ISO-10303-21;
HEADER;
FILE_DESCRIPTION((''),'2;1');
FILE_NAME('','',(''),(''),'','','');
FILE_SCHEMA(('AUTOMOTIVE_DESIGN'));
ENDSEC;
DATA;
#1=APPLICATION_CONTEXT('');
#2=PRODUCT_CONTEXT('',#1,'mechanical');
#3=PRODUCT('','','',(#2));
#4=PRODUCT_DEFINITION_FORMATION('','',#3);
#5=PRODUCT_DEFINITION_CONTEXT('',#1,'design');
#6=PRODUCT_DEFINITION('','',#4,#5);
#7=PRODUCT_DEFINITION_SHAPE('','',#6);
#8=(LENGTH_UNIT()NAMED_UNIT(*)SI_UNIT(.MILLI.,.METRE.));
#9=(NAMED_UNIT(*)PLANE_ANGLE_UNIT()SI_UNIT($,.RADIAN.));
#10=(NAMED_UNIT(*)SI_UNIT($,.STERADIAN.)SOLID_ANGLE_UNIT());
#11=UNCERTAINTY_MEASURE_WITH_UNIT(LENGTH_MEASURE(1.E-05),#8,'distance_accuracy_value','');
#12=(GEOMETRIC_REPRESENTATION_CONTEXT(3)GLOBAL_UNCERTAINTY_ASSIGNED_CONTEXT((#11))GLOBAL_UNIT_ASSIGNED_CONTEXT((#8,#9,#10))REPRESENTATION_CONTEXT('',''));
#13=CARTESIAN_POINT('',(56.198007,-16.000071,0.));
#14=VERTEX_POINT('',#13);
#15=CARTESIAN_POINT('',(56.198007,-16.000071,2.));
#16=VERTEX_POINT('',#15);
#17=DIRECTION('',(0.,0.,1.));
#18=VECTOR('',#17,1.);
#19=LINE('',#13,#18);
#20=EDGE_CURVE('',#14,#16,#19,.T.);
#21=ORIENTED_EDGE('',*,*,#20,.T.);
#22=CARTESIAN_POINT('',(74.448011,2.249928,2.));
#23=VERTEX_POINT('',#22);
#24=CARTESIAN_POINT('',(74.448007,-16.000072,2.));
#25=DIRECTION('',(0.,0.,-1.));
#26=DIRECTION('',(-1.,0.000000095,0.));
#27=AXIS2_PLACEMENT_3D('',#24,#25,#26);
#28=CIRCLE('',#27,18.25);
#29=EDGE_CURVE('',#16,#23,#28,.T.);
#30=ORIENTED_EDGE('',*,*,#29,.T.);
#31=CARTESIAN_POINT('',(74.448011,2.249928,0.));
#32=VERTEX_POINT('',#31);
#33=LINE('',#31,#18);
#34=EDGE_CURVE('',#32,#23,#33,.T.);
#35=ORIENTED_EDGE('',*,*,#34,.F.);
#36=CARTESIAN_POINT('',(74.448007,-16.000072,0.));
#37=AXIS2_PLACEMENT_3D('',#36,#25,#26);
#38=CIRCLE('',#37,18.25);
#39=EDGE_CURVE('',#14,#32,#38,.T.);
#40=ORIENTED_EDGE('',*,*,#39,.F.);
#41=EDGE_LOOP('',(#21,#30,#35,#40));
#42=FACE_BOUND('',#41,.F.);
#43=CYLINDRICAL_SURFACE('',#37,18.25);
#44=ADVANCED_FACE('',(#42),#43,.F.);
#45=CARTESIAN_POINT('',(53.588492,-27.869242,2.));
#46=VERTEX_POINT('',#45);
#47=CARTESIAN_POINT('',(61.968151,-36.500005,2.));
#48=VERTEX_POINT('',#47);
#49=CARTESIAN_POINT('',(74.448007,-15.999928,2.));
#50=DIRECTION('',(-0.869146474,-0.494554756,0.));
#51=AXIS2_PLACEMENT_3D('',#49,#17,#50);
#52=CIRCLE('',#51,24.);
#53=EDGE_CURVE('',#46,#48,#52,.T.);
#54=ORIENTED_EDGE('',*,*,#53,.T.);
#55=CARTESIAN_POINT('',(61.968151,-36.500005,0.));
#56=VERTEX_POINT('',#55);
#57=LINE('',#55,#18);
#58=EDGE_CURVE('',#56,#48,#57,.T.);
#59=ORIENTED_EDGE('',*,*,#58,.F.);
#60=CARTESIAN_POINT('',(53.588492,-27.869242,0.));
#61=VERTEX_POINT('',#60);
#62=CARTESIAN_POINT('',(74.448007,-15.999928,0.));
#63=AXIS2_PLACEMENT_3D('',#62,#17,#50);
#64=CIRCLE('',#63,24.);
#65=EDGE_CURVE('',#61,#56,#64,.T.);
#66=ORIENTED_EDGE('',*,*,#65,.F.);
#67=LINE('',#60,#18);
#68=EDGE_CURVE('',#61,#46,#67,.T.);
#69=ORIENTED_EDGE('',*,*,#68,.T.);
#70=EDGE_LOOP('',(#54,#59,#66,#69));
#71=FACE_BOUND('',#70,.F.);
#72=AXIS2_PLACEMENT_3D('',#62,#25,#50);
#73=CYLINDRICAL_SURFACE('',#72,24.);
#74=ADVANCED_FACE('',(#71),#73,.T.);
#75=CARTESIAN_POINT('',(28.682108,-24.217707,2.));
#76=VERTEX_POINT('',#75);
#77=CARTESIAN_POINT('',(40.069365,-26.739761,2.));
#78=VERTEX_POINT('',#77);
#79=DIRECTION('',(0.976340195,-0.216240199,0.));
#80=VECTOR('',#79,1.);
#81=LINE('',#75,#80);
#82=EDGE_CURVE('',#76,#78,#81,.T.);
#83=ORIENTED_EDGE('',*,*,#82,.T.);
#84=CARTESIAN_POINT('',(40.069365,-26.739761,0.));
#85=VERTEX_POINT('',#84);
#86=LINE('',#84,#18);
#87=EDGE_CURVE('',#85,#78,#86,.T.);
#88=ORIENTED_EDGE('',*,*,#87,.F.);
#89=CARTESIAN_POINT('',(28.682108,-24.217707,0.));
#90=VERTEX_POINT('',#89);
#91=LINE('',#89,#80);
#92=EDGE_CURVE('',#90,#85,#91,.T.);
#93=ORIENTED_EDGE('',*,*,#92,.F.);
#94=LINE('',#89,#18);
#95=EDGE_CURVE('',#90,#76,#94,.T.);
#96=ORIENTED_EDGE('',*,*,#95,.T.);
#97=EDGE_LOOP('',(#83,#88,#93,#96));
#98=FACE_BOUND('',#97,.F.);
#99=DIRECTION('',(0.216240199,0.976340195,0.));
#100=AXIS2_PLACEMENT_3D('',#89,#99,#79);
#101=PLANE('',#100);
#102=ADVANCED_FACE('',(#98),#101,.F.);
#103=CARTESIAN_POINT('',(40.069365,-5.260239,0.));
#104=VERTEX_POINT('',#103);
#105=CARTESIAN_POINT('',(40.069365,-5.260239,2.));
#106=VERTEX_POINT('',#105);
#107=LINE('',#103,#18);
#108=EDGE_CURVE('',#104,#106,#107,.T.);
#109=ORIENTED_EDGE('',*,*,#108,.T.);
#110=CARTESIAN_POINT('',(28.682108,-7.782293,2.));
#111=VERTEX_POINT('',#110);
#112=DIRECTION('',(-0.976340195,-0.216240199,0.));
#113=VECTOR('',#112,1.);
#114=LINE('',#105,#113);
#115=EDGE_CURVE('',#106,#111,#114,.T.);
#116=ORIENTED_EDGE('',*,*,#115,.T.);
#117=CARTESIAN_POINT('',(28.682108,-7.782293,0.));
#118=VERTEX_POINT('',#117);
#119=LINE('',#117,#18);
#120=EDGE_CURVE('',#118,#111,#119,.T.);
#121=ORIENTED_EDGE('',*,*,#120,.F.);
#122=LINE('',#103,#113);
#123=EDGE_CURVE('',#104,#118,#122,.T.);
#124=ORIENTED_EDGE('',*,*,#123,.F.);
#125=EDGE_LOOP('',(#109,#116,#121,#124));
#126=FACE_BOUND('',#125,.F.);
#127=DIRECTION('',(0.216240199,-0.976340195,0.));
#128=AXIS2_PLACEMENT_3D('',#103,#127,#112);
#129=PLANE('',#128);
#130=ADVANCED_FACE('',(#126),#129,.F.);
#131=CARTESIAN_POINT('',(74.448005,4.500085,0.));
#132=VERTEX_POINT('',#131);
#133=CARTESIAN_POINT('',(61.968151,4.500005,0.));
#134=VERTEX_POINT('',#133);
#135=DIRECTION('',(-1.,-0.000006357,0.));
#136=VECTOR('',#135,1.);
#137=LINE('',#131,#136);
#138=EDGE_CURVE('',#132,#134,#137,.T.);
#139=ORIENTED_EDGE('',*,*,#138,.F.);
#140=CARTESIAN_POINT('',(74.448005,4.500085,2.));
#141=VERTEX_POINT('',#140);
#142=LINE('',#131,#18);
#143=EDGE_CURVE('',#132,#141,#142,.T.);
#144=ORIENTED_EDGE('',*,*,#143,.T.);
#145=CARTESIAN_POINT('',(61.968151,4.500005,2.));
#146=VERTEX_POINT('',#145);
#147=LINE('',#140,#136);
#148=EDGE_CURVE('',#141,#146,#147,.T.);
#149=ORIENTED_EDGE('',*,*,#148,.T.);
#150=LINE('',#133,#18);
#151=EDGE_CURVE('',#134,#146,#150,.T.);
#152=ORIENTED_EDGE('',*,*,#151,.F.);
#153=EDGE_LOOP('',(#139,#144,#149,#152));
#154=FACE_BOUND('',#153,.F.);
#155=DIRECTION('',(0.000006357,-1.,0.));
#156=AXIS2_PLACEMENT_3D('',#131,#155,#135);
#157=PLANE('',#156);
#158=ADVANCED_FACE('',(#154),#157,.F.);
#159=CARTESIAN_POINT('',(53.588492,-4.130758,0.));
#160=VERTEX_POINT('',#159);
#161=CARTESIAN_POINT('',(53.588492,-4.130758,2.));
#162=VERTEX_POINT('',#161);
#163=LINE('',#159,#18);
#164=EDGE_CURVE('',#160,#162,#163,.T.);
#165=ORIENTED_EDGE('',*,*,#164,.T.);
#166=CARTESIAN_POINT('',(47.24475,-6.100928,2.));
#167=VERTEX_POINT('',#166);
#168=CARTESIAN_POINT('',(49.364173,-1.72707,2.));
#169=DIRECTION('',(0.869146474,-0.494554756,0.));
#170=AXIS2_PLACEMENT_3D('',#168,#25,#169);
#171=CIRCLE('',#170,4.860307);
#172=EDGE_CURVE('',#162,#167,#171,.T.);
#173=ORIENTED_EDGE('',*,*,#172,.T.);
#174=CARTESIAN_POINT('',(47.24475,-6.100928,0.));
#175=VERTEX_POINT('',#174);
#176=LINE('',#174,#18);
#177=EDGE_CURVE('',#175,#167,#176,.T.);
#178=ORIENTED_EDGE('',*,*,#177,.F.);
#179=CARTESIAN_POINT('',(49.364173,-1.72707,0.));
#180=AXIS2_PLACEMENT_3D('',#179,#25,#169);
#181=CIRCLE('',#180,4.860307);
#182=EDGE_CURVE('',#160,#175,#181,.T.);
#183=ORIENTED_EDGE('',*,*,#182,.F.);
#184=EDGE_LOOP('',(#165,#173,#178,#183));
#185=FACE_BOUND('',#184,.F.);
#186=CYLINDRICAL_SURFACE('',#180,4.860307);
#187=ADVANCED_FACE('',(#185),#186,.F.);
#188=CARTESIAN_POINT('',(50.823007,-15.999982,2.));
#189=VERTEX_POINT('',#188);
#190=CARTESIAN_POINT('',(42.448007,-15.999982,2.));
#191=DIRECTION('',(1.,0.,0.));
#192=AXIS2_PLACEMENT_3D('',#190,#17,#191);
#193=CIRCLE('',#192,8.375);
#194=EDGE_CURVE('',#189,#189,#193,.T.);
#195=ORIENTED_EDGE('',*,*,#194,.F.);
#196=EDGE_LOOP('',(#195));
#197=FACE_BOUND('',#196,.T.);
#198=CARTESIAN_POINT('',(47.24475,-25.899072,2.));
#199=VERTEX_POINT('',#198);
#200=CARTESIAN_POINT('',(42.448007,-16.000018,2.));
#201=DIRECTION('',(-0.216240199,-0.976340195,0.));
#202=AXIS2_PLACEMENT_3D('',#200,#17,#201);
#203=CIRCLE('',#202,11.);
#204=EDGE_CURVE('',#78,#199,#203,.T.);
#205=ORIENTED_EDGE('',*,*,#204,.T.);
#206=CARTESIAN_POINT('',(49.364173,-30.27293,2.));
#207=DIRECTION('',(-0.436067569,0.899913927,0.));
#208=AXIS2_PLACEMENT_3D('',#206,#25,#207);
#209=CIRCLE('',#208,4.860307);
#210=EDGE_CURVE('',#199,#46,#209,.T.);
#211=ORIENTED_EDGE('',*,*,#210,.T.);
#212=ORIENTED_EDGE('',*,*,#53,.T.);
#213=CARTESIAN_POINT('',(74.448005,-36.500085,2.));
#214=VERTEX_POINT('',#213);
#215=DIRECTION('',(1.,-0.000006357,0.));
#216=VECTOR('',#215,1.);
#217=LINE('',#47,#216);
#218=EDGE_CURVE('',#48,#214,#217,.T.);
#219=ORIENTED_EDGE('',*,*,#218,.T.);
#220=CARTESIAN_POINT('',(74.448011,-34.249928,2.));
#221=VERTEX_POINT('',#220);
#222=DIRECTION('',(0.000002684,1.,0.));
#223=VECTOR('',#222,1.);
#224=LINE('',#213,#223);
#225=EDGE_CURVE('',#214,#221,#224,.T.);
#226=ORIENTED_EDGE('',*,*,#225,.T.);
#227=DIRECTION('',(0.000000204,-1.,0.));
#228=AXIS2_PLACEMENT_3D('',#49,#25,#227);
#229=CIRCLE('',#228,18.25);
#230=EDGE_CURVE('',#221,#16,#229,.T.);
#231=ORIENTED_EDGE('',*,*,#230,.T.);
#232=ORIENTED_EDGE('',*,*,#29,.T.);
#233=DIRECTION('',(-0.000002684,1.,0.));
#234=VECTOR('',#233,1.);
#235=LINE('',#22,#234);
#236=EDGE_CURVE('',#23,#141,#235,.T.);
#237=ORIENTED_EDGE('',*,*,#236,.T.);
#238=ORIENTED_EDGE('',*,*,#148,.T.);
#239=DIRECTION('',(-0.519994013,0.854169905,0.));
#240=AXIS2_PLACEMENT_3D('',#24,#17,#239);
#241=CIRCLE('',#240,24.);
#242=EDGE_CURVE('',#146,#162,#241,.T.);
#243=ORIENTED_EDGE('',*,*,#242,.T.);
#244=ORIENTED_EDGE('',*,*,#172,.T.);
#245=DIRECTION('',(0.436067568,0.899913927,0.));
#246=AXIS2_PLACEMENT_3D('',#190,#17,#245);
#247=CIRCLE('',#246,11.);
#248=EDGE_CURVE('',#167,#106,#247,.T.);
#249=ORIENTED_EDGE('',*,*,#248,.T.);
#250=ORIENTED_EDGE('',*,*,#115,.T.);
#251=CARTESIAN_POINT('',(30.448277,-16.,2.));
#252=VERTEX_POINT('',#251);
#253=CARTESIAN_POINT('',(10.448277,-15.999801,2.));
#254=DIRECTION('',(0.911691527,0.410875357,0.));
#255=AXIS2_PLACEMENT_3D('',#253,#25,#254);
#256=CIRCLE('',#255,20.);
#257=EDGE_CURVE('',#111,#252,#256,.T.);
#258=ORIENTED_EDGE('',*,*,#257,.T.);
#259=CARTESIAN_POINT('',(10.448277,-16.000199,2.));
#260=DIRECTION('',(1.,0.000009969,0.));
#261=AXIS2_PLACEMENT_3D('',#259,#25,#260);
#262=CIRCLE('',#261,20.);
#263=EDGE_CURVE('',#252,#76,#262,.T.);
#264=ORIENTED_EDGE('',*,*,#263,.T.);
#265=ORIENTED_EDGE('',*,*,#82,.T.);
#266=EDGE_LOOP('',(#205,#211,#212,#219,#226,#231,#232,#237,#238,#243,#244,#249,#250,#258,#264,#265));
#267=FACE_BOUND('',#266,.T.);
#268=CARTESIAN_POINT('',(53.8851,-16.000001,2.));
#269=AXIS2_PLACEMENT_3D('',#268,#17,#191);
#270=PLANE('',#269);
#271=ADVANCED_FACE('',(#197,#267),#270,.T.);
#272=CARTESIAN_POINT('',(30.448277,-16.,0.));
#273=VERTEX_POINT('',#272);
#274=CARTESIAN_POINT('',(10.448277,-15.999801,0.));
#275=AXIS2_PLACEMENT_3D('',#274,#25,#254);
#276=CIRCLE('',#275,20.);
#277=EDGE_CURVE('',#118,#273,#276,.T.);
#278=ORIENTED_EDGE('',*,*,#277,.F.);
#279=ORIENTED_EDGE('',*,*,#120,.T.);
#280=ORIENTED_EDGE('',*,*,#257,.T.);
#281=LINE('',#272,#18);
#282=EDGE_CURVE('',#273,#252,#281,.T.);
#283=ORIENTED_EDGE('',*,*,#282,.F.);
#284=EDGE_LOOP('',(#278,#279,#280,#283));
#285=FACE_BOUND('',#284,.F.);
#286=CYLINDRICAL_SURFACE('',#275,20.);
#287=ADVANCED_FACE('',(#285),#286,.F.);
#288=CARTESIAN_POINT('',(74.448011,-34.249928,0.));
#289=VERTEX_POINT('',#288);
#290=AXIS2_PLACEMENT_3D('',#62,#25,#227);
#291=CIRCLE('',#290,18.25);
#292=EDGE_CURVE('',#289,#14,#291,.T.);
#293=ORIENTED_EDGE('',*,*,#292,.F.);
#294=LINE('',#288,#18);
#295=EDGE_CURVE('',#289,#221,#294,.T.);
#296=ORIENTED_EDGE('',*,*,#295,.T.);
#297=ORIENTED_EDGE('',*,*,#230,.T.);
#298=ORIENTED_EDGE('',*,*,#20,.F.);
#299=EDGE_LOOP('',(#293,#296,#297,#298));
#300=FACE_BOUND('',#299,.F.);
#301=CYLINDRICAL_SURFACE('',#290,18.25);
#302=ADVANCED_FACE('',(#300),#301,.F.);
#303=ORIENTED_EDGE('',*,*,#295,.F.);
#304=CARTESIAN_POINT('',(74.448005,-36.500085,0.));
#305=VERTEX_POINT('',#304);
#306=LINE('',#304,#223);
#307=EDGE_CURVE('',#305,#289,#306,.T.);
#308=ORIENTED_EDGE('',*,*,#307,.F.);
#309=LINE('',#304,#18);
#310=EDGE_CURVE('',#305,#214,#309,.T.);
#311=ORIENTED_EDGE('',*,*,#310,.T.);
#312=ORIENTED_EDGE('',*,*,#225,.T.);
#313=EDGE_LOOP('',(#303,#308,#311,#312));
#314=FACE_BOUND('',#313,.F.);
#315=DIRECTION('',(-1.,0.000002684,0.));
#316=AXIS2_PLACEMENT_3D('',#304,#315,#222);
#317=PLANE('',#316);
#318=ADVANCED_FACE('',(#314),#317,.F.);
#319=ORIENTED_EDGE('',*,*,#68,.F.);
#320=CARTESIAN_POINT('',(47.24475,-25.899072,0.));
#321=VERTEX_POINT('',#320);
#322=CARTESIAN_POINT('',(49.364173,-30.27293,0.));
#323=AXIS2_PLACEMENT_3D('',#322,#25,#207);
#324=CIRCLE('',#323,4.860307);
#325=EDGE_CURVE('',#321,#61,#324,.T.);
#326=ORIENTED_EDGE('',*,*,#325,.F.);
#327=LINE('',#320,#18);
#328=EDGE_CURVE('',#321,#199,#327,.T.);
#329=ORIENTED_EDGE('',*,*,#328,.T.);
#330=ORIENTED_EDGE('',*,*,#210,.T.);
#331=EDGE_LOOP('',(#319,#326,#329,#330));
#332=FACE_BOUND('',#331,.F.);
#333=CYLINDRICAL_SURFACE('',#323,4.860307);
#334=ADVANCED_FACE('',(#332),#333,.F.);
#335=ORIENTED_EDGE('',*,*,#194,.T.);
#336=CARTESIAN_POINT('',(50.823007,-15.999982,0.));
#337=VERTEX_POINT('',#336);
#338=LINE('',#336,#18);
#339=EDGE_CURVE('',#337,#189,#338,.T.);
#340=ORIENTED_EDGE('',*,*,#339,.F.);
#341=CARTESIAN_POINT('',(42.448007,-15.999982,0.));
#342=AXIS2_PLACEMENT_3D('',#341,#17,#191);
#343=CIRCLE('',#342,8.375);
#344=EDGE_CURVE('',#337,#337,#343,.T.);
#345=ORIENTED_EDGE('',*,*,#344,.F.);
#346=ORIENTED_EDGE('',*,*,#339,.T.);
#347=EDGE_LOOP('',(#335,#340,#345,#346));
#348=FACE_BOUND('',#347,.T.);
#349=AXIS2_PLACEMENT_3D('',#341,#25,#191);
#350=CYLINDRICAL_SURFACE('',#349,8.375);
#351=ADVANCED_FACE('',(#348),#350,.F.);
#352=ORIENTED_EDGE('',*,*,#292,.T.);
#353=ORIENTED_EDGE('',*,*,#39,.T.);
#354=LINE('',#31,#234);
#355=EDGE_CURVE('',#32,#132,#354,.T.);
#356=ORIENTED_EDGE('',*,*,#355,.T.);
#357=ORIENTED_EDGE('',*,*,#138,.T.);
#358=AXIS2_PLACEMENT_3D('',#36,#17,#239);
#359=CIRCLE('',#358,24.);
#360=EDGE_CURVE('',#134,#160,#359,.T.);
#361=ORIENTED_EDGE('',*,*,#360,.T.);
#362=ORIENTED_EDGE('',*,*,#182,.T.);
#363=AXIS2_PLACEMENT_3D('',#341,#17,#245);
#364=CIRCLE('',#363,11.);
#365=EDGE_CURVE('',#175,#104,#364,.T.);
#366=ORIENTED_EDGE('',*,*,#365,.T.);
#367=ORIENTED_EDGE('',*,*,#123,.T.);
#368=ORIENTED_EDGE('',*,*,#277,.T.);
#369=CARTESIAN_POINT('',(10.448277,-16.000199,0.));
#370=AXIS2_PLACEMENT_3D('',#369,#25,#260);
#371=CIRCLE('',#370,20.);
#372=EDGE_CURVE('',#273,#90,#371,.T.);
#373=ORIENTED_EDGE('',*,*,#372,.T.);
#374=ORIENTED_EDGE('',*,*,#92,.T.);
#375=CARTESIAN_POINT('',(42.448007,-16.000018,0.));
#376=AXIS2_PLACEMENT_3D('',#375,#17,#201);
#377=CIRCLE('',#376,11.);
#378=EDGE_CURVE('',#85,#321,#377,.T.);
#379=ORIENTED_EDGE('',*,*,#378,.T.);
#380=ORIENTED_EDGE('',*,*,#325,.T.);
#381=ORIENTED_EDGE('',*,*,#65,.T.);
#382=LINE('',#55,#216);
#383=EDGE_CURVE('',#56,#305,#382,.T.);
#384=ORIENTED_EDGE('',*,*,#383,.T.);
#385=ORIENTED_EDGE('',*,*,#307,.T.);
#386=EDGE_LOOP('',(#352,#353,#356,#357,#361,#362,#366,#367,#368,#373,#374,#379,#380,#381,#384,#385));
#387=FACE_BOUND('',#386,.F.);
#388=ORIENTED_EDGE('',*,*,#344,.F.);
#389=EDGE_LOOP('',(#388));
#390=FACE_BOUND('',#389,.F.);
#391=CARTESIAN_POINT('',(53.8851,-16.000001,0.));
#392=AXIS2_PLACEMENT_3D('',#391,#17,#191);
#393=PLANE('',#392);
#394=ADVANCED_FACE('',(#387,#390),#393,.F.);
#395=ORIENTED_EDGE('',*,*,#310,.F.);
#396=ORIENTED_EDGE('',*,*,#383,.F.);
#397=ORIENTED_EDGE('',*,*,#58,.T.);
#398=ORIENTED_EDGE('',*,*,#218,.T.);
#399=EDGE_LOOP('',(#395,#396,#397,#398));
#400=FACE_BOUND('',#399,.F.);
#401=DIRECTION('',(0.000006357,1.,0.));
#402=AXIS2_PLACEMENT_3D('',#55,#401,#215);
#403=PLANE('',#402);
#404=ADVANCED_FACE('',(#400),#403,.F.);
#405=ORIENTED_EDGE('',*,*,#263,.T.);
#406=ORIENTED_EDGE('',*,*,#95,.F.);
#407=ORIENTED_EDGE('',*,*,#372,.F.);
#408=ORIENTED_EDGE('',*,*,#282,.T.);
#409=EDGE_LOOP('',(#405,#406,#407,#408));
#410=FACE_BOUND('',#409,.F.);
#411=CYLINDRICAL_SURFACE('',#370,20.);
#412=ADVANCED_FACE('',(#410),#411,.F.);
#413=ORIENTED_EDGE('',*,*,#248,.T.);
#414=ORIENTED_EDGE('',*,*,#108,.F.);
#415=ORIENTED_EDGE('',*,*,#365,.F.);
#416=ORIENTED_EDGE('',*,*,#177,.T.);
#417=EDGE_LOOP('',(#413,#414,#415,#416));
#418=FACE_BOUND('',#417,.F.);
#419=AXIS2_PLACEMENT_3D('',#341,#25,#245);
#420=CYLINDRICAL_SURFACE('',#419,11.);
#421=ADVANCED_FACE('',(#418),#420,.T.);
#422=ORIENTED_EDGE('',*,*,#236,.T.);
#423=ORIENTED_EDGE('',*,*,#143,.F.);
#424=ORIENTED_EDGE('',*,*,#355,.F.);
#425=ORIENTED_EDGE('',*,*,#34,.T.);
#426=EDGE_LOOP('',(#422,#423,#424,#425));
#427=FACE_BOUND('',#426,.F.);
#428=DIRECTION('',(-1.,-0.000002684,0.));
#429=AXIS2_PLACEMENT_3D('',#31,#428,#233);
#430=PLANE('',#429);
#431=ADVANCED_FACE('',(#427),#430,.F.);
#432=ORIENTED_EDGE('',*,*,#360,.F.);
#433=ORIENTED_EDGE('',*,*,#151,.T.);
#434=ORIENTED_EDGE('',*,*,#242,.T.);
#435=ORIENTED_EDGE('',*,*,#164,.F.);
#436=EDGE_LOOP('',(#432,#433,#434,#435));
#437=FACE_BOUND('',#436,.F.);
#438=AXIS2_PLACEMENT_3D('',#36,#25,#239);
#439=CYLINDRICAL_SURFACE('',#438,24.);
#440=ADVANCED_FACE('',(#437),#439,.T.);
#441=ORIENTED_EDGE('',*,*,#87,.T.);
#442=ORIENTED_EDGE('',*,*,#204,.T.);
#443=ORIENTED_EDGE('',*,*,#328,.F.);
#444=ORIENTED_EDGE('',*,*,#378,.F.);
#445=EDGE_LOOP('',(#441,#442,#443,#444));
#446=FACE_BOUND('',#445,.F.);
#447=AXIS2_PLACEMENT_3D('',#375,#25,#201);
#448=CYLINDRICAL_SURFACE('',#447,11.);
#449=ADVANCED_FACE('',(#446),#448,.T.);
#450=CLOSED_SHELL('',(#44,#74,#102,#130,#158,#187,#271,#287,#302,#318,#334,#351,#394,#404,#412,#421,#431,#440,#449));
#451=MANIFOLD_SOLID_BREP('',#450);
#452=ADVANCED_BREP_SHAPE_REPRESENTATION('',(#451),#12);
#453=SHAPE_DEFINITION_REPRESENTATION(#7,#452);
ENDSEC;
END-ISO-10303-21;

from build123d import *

# Parameters (mm, degrees)
MODEL_R             = 8.375
BOSS_EXTRUDE1_DEPTH = 2


with BuildPart() as part:
    # Model → Boss-Extrude1 (new body)
    with BuildSketch(Plane.XY):
        with BuildLine():
            Line((74.448010934, 2.249927661), (74.448004895, 4.500084718))
            Line((74.448004895, 4.500084718), (61.968150916, 4.500005388))
            ThreePointArc((61.968150916, 4.500005388), (57.22880439, 0.718152869), (53.588491837, -4.130758193))
            ThreePointArc((53.588491837, -4.130758193), (50.805713706, -6.36868051), (47.244750466, -6.10092834))
            ThreePointArc((47.244750466, -6.10092834), (43.728043409, -5.074712325), (40.069365021, -5.260239392))
            Line((40.069365021, -5.260239392), (28.682107763, -7.782293479))
            ThreePointArc((28.682107763, -7.782293479), (30.001771143, -11.797316195), (30.448277219, -16.000000001))
            ThreePointArc((30.448277219, -16.000000001), (30.001771143, -20.202683806), (28.682107763, -24.217706522))
            Line((28.682107763, -24.217706522), (40.069365021, -26.73976061))
            ThreePointArc((40.069365021, -26.73976061), (43.728043409, -26.925287677), (47.244750466, -25.899071661))
            ThreePointArc((47.244750466, -25.899071661), (50.805713706, -25.631319491), (53.588491837, -27.869241808))
            ThreePointArc((53.588491837, -27.869241808), (57.22880439, -32.718152871), (61.968150916, -36.500005389))
            Line((61.968150916, -36.500005389), (74.448004895, -36.500084719))
            Line((74.448004895, -36.500084719), (74.448010934, -34.249927662))
            ThreePointArc((74.448010934, -34.249927662), (61.543360309, -28.904678271), (56.198007214, -16.000070602))
            ThreePointArc((56.198007214, -16.000070602), (61.543310386, -3.095371653), (74.448010934, 2.249927661))
        make_face()
        with Locations((42.448007213, -15.999981536)):
            Circle(MODEL_R, mode=Mode.SUBTRACT)
    extrude(amount=BOSS_EXTRUDE1_DEPTH)


solid = part.part
